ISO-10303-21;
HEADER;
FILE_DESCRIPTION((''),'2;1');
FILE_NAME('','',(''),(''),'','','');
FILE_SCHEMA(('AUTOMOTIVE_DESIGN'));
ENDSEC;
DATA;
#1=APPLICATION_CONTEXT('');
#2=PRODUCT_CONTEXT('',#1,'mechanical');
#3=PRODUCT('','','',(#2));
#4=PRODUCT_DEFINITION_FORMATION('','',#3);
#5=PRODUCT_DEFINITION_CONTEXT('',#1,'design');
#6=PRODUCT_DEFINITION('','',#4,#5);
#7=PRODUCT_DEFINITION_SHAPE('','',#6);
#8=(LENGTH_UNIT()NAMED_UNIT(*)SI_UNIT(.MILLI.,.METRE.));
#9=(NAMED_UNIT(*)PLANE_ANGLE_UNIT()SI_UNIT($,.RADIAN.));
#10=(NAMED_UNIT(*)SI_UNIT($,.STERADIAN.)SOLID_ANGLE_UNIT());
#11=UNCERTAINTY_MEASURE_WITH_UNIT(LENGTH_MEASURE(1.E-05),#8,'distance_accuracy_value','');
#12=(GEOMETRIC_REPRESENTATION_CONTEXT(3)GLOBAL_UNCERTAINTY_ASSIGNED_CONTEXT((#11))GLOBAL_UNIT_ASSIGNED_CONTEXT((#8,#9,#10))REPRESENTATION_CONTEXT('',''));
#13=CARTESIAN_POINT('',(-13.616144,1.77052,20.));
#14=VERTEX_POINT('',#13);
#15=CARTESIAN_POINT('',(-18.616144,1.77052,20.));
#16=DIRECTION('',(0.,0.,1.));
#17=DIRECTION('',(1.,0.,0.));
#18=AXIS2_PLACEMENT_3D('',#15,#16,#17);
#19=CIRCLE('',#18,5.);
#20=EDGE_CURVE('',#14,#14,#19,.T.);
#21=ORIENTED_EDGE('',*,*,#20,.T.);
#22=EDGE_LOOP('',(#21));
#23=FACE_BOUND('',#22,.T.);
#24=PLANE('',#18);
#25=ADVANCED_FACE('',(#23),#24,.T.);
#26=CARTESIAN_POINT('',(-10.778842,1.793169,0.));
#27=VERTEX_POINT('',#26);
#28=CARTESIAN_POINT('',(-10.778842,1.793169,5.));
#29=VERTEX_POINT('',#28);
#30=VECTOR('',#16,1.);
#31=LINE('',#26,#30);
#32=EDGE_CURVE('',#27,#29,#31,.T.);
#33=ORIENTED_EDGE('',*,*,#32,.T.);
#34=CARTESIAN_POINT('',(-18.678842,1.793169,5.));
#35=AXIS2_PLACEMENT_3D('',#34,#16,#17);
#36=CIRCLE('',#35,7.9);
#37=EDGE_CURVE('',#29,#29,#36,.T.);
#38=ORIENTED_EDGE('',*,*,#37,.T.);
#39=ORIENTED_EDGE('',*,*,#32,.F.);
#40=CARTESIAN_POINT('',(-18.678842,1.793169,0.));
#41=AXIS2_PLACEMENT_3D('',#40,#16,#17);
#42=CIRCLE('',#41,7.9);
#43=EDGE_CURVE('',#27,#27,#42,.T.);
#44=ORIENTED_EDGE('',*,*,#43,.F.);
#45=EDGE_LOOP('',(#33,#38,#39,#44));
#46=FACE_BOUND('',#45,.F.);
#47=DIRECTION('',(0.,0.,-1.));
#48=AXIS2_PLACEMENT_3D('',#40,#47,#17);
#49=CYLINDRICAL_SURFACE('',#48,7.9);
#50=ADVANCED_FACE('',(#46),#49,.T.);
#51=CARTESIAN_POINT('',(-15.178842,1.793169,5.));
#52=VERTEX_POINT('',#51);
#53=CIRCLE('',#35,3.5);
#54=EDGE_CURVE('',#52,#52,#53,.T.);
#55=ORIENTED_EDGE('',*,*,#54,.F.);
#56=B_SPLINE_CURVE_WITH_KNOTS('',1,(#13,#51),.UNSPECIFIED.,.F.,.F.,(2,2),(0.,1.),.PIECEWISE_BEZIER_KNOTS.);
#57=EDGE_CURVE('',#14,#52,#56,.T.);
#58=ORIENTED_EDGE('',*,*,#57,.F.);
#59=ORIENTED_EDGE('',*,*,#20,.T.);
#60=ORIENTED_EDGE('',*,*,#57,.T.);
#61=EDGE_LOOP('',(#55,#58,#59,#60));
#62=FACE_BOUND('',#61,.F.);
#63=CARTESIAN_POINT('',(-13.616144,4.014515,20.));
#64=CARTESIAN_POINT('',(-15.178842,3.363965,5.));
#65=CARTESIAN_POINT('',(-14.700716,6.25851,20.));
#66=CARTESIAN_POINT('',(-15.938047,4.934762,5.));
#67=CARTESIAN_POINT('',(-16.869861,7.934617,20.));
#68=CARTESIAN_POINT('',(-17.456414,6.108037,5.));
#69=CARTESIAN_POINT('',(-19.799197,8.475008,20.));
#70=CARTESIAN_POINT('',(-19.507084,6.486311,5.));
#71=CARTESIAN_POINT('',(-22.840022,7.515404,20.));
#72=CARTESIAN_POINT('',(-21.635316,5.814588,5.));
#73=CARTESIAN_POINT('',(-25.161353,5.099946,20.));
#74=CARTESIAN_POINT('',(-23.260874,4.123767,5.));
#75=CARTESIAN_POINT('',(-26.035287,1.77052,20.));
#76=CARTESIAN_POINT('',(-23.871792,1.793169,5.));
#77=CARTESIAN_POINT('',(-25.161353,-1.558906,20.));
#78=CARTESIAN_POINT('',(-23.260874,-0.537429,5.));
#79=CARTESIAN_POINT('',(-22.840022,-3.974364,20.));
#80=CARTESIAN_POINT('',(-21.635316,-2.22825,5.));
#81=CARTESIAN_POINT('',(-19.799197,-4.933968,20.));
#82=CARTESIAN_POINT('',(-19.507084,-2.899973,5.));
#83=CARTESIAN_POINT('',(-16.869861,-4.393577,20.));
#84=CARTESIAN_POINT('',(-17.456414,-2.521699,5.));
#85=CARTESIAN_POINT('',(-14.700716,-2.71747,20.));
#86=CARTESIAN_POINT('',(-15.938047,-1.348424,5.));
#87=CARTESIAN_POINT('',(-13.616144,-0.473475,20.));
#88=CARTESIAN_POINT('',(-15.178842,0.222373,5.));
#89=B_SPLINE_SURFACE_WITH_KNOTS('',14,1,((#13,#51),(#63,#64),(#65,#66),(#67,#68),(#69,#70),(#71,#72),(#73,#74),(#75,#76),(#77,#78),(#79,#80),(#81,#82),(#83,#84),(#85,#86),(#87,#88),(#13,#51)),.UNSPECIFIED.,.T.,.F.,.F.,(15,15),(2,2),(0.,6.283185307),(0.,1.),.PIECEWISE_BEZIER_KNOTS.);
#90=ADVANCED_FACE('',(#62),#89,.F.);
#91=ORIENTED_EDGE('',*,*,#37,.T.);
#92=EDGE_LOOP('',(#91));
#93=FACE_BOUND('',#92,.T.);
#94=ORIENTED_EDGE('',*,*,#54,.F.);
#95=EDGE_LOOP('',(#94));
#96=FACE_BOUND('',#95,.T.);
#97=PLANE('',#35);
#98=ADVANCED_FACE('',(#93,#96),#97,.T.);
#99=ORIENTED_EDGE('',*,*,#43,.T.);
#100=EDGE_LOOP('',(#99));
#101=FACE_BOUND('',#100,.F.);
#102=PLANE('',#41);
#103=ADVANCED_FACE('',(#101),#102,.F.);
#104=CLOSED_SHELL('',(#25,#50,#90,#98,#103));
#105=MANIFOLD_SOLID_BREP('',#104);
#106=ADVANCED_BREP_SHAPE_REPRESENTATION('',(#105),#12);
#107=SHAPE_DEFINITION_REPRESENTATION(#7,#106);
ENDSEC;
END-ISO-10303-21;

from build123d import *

# Parameters (mm, degrees)
F0_R     = 7.9
F1_DEPTH = 5
F4_R     = 5
F2_R     = 3.5


with BuildPart() as f1:
    # F0 (on Top) → F1 (new body)
    with BuildSketch(Plane.XY):
        with Locations((-18.678842, 1.793169)):
            Circle(F0_R)
    extrude(amount=F1_DEPTH)

    # F4 (on offset) → F5 section 0
    with BuildSketch(Plane.XY.offset(20)):
        with Locations((-18.616144, 1.77052)):
            Circle(F4_R)
    # F2 (on face) → F5 section 1
    with BuildSketch(Plane.XY.offset(5)):
        with Locations((-18.678842, 1.793169)):
            Circle(F2_R)
    loft()


solid = f1.part
